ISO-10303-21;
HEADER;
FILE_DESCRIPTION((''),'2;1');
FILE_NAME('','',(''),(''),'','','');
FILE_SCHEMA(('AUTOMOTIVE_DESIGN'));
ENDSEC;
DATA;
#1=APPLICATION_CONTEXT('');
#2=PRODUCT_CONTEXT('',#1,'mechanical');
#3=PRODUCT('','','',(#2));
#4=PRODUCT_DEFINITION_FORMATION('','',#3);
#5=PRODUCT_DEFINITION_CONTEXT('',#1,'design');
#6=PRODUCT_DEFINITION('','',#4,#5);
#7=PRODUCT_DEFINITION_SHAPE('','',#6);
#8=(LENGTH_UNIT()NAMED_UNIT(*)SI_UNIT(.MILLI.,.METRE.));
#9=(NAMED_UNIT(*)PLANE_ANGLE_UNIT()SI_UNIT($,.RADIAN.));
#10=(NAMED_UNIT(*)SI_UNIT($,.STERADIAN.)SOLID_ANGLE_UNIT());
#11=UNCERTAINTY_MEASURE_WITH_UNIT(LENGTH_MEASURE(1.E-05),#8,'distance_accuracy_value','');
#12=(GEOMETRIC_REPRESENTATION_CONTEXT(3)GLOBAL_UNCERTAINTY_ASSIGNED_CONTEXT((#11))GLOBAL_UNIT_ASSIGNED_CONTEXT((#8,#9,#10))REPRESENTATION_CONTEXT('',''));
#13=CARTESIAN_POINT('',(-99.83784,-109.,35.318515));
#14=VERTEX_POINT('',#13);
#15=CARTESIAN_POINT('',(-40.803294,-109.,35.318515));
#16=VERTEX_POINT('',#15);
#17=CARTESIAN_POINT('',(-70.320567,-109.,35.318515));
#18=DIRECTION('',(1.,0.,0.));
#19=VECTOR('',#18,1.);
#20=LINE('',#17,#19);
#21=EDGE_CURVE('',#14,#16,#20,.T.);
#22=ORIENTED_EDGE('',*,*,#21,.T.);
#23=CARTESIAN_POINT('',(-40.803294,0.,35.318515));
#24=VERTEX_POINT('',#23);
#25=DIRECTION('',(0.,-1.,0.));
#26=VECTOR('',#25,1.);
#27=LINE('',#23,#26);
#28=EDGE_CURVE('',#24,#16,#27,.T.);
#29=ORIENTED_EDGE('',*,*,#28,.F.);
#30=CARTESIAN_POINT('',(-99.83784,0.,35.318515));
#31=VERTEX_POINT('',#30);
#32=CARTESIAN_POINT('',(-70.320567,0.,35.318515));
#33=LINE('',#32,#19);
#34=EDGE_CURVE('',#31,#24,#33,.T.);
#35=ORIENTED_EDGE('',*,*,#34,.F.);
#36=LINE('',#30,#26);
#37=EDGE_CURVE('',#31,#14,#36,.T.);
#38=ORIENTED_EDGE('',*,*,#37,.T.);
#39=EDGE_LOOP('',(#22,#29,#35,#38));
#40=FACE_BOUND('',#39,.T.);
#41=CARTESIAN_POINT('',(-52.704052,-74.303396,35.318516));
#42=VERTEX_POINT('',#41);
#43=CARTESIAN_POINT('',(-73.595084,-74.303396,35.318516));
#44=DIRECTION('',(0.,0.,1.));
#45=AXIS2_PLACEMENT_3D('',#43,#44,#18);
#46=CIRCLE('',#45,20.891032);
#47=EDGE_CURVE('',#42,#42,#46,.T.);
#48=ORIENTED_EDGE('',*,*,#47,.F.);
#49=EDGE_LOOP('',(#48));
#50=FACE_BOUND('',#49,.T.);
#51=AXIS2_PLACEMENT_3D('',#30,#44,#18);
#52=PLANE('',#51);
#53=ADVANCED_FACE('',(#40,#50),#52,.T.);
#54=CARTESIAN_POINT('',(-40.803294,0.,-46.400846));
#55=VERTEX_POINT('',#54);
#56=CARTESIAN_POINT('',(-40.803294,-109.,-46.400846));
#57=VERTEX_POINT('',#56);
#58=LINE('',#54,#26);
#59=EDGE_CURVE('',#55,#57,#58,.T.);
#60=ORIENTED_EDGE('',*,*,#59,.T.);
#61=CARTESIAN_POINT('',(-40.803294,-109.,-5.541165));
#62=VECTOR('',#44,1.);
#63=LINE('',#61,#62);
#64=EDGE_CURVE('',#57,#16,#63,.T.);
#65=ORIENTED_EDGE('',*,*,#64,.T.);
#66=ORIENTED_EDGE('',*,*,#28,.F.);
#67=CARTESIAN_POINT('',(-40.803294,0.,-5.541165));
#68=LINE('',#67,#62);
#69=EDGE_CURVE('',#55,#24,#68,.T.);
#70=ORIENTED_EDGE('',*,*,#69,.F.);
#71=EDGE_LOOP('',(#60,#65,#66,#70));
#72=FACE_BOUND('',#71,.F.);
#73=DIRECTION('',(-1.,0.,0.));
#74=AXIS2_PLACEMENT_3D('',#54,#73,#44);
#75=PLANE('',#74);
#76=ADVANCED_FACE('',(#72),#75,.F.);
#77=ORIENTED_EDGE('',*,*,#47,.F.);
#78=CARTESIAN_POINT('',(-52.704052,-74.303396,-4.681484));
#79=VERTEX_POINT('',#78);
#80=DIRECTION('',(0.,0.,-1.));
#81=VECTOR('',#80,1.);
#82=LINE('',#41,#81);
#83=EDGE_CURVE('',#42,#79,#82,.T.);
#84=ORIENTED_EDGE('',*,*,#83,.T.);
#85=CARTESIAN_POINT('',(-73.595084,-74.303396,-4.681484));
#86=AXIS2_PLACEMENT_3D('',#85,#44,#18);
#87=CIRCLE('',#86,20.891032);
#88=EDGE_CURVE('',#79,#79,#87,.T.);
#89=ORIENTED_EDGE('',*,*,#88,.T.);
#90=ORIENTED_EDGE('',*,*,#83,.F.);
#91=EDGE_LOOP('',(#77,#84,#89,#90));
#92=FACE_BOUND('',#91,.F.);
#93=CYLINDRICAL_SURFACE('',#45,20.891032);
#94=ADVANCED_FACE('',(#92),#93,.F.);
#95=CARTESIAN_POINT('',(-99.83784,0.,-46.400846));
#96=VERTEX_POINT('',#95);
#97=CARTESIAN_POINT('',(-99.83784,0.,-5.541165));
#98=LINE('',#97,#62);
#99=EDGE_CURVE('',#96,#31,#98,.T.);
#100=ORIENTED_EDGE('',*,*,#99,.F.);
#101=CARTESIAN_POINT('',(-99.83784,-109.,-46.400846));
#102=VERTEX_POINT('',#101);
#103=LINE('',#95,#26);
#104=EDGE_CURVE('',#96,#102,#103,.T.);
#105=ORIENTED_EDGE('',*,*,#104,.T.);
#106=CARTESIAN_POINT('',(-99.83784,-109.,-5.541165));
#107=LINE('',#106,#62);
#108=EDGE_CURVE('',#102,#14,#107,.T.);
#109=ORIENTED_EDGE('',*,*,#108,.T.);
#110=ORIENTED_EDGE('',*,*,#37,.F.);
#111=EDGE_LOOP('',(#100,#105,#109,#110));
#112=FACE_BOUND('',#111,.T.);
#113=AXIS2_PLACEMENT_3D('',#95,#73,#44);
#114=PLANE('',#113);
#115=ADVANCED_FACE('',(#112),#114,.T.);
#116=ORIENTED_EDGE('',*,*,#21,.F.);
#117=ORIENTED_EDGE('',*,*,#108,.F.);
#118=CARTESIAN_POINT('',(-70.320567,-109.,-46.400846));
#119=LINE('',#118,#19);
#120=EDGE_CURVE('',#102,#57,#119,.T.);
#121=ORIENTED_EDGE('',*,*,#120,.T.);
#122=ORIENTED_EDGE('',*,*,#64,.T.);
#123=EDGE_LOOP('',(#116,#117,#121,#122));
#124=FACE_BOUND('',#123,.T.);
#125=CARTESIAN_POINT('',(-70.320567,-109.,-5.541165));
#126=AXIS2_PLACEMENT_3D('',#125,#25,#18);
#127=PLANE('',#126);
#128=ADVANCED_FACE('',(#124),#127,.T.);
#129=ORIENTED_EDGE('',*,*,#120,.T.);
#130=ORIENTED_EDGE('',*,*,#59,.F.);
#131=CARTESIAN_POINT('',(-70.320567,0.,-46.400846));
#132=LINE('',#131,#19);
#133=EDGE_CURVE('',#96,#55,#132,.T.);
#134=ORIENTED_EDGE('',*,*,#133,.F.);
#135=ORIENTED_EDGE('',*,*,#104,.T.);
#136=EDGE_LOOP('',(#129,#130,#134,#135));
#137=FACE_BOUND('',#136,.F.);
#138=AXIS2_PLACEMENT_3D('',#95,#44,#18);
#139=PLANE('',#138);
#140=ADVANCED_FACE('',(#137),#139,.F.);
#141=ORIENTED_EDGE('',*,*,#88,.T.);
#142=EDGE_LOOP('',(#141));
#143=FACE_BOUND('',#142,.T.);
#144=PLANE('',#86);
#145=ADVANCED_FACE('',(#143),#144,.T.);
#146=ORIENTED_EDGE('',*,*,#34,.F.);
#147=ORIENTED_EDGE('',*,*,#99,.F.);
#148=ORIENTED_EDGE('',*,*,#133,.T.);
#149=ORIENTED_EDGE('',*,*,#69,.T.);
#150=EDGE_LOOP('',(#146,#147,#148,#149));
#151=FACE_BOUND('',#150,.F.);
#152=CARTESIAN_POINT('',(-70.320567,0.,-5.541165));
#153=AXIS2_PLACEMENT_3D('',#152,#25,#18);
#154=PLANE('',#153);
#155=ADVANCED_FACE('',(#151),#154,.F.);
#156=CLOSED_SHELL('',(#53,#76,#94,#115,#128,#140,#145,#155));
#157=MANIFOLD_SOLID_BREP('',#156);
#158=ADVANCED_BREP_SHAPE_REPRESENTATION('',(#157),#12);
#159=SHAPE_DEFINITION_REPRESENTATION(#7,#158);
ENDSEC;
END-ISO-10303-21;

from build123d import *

# Parameters (mm, degrees)
F0_W     = 59.034545
F0_H     = 81.719361
F1_DEPTH = 109
F2_R     = 20.891032
F3_DEPTH = 40


with BuildPart() as f1:
    # F0 (on Front) → F1 (new body)
    with BuildSketch(Plane.XZ):
        with Locations((-70.320567, -5.541165)):
            Rectangle(F0_W, F0_H)
    extrude(amount=F1_DEPTH)

    # F2 (on face) → F3 (cut)
    with BuildSketch(Plane.XY.offset(35.318516)):
        with Locations((-73.595084, -74.303396)):
            Circle(F2_R)
    extrude(amount=-F3_DEPTH, mode=Mode.SUBTRACT)


solid = f1.part
